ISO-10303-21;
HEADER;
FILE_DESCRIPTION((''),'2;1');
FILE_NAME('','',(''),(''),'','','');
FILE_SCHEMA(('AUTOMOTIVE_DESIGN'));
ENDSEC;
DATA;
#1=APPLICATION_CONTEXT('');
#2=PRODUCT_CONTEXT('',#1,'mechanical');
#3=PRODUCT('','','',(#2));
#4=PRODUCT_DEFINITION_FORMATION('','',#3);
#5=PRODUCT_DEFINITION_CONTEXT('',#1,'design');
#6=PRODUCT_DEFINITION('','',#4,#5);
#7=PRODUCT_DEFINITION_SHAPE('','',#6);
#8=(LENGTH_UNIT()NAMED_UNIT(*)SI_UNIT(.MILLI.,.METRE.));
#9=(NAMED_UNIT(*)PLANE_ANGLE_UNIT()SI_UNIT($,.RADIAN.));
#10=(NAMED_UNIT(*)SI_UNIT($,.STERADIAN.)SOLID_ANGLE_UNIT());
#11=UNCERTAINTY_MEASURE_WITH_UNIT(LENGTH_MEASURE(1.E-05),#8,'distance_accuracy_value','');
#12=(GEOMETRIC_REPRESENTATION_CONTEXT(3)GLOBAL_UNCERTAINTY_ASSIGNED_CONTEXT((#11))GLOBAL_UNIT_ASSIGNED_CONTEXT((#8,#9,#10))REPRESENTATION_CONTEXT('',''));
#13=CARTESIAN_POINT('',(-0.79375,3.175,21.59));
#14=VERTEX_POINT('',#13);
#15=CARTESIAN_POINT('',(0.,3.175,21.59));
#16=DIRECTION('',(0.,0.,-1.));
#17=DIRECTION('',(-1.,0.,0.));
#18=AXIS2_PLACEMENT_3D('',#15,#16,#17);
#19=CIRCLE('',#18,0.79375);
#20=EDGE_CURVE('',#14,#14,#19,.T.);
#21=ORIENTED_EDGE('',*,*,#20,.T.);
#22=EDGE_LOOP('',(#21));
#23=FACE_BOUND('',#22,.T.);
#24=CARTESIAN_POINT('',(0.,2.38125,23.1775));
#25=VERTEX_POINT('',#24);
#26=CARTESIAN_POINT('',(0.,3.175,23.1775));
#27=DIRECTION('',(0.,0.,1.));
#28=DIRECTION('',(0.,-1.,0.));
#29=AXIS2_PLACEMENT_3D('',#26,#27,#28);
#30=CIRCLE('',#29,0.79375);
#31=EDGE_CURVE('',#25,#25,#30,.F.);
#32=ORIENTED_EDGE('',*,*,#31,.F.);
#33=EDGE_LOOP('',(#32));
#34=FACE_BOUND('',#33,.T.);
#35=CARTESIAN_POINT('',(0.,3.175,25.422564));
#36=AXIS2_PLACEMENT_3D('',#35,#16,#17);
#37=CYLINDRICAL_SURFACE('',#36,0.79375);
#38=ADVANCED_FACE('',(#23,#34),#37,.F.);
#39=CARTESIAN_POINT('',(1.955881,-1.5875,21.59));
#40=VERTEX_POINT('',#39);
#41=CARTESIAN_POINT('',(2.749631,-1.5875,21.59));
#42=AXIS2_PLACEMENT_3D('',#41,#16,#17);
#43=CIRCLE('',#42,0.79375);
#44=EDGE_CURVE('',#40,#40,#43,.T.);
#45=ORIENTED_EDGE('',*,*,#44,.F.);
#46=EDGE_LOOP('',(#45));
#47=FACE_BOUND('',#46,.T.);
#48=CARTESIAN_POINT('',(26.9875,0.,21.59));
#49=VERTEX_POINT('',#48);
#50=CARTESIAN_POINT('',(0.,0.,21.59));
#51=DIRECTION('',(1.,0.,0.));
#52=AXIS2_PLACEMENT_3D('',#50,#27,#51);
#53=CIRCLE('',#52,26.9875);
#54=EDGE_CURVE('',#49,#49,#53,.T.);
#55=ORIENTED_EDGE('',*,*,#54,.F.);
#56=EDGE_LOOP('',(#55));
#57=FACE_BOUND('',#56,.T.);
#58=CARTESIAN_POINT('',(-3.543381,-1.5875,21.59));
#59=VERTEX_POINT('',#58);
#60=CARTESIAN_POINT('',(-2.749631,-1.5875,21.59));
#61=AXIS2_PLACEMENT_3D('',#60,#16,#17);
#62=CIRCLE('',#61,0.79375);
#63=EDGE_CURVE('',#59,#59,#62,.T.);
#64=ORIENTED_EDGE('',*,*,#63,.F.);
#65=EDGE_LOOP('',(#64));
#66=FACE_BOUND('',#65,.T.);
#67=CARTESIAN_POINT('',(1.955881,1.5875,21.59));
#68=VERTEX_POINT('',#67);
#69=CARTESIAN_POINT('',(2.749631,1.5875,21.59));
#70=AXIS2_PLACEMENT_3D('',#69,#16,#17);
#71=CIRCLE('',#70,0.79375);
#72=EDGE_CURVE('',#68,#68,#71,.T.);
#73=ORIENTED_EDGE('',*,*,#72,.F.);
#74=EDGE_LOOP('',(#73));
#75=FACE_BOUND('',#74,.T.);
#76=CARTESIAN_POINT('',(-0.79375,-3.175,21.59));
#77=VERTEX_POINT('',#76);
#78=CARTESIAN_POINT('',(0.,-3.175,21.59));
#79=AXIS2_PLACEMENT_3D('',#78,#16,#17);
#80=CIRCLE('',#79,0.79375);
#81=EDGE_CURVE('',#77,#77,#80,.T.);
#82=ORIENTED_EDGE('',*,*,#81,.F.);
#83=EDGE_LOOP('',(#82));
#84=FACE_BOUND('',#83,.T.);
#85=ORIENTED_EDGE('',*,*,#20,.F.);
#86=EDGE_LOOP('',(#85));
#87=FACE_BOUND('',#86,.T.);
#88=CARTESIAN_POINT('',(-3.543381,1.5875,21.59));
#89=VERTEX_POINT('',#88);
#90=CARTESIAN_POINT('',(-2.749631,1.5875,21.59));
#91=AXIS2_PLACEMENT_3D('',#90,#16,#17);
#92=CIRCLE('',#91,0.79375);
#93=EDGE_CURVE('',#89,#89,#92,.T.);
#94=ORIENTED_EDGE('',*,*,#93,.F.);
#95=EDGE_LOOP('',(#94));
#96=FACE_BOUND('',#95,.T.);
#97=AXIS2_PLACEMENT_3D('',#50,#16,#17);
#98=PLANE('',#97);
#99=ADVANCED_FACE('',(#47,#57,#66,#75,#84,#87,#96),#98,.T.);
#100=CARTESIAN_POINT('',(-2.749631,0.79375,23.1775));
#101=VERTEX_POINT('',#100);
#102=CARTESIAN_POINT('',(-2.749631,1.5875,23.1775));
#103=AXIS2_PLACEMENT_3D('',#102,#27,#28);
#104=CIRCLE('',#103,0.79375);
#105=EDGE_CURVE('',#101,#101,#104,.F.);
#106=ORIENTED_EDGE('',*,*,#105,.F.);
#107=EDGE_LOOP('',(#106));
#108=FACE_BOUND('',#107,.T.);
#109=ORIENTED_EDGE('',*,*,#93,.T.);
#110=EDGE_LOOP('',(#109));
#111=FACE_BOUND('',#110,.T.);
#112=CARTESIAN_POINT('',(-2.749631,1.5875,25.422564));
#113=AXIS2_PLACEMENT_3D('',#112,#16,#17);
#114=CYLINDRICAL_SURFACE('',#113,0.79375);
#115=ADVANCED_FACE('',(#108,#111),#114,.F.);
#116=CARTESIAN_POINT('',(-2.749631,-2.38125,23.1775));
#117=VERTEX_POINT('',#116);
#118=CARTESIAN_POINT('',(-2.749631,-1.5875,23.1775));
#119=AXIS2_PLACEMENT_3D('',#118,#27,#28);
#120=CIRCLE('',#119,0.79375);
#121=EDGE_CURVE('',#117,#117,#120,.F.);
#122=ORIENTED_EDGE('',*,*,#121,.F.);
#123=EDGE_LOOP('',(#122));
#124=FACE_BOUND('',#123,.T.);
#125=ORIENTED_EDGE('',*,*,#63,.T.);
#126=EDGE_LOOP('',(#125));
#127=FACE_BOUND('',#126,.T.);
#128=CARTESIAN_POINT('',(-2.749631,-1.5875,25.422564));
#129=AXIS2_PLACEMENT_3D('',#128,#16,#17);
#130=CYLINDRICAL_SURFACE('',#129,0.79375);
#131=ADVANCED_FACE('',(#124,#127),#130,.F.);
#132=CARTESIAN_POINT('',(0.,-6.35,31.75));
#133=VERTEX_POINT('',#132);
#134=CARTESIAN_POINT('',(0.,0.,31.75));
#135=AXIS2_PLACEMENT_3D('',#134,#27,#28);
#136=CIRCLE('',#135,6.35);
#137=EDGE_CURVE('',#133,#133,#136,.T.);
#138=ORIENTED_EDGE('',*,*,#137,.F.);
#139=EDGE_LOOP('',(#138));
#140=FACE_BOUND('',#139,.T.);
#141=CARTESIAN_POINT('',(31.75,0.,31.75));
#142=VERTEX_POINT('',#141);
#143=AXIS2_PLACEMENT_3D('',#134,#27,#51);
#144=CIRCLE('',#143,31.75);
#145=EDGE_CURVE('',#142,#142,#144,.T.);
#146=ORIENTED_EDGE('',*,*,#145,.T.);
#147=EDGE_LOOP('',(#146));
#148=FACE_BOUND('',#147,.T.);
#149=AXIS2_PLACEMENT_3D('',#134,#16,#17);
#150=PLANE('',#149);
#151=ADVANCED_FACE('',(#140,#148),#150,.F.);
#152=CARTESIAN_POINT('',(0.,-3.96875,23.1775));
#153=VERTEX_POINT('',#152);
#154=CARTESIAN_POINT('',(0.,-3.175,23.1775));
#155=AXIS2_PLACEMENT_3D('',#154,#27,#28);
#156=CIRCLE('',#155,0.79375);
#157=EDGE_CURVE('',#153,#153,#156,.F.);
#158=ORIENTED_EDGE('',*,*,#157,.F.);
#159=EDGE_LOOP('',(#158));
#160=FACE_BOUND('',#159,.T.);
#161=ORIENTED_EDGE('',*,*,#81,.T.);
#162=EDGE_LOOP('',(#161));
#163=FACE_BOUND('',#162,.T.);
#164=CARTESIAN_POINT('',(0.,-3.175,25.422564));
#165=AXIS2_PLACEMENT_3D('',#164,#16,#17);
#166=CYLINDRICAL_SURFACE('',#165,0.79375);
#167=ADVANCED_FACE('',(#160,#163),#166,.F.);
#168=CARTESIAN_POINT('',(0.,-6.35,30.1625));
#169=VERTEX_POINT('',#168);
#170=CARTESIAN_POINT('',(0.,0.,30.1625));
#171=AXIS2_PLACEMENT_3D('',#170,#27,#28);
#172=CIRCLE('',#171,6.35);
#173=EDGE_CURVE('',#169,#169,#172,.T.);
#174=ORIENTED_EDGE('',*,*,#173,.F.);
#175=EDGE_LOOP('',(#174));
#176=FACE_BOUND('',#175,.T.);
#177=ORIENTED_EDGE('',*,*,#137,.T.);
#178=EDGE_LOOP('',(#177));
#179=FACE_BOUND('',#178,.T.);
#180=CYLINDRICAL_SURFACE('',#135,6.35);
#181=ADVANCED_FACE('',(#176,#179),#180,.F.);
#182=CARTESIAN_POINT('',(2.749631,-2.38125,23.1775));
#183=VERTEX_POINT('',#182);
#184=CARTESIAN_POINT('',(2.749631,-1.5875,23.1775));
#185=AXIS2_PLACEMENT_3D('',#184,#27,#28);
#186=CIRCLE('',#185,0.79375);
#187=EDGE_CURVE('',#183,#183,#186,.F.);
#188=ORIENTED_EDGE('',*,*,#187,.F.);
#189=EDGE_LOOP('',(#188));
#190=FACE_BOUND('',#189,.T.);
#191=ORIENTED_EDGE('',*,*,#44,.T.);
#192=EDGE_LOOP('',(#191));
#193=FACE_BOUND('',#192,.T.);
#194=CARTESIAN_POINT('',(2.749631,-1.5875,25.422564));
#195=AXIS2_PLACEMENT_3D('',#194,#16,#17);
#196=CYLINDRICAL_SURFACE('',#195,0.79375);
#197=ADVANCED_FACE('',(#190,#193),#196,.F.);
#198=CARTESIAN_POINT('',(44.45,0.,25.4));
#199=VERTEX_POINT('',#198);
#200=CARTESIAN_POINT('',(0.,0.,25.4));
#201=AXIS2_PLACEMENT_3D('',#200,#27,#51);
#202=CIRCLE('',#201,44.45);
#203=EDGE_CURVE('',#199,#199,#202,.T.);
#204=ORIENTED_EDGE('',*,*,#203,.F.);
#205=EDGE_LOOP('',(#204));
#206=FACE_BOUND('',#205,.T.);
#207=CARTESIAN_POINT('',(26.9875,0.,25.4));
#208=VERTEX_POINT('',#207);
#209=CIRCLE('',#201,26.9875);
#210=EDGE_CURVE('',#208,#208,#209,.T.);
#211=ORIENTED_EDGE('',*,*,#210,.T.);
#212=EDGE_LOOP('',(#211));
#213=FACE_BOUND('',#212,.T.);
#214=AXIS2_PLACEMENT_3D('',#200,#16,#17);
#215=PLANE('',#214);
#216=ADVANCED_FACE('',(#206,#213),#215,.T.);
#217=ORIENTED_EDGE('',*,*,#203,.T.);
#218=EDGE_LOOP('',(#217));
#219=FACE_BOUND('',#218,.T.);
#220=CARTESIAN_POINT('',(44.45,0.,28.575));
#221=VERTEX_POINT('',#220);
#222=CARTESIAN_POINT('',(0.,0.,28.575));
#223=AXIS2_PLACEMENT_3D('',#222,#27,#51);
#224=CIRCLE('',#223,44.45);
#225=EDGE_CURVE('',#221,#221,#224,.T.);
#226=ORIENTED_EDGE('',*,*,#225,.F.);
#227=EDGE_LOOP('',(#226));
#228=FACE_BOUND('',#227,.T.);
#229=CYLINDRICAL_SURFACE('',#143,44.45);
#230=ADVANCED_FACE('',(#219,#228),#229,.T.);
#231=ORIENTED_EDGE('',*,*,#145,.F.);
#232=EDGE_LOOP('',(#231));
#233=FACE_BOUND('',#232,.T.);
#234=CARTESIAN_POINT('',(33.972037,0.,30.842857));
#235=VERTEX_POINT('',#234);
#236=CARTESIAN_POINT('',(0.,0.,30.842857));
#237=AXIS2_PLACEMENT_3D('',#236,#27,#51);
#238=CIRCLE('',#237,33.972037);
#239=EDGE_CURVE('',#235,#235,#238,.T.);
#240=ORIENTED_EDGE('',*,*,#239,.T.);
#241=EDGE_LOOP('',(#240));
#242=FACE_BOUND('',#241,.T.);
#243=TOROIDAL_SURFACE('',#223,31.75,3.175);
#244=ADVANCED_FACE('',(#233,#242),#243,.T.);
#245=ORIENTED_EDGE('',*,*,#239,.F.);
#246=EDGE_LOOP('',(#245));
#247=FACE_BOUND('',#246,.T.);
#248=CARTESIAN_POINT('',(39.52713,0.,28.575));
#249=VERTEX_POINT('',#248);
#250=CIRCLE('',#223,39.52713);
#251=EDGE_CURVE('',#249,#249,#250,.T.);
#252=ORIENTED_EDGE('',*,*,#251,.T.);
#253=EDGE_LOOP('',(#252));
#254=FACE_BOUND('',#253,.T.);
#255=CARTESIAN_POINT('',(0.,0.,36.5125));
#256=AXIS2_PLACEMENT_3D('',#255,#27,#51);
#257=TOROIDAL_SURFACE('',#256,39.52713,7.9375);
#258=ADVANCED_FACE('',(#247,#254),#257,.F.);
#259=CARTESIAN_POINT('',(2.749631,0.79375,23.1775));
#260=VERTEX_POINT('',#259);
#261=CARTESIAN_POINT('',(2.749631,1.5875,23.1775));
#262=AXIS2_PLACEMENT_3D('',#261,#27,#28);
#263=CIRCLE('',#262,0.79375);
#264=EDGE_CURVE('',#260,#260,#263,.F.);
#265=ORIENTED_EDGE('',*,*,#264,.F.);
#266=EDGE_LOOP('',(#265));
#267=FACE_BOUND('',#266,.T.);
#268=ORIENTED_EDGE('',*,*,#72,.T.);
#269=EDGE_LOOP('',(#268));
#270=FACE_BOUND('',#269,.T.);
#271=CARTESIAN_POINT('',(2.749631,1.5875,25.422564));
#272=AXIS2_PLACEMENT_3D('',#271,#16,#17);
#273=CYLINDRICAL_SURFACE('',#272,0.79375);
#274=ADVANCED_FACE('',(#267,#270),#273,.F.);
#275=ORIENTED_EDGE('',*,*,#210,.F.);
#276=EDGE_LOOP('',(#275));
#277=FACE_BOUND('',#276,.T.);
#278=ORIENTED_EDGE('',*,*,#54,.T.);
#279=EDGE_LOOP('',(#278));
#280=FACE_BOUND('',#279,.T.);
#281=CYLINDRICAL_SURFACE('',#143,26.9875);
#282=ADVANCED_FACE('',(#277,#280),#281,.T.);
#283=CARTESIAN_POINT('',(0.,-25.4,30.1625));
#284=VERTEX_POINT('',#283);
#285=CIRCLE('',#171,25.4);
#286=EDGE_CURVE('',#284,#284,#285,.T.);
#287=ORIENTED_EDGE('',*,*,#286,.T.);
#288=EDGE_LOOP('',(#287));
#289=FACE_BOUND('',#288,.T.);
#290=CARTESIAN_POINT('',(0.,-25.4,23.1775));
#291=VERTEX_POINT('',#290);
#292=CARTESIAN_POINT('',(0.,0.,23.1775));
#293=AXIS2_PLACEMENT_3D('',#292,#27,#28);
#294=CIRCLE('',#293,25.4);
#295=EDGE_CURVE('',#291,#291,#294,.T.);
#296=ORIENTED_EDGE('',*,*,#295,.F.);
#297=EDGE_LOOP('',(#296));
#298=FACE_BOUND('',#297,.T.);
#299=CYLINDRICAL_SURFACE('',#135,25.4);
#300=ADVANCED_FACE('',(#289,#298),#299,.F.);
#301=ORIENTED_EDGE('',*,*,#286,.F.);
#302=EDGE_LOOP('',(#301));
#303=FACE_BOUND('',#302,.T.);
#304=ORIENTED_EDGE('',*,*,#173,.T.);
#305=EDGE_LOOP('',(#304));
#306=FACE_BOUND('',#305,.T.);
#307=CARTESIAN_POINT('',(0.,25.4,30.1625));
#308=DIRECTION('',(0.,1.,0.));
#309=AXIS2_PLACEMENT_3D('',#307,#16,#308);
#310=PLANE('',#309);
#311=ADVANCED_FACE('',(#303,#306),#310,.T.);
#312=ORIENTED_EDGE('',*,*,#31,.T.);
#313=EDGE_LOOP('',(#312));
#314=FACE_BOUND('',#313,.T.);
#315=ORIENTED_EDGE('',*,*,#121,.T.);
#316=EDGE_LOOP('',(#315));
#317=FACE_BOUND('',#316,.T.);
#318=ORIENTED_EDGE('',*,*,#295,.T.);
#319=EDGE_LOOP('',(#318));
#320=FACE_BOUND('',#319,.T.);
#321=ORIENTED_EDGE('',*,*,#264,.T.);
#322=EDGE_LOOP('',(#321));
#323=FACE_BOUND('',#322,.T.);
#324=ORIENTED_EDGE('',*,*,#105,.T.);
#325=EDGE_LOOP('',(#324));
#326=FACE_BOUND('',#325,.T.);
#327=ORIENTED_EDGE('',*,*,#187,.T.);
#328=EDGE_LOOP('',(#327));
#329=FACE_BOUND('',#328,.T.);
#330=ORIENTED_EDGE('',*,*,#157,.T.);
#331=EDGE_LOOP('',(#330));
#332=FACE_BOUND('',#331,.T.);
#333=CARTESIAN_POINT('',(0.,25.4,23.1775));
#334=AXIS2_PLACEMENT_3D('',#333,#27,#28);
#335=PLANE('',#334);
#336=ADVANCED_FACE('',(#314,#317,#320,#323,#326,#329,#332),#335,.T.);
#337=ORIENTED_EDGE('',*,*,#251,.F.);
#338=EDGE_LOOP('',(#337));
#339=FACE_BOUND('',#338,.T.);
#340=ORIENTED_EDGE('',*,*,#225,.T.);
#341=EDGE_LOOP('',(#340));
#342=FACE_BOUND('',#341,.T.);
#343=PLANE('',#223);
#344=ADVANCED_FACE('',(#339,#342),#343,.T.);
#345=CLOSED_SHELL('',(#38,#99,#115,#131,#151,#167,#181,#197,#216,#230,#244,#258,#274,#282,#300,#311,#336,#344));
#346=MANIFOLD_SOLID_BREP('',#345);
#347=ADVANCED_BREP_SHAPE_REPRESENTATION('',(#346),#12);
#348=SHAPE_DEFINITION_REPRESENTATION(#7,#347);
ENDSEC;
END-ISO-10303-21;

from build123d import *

# Parameters (mm, degrees)
SKETCH3_R          = 0.79375
CUT_EXTRUDE1_DEPTH = 1.5875


with BuildPart() as part:
    # Sketch1 → Revolve1 (revolve)
    with BuildSketch(Plane(origin=(0, 0, 0), x_dir=(0, 0, -1), z_dir=(1, 0, 0)), mode=Mode.PRIVATE) as revolve1_sk:
        with BuildLine():
            Line((-21.59, 0), (-21.59, 26.9875))
            Line((-21.59, 26.9875), (-25.4, 26.9875))
            Line((-25.4, 26.9875), (-25.4, 44.45))
            Line((-25.4, 44.45), (-28.575, 44.45))
            Line((-28.575, 44.45), (-28.575, 39.527129933))
            ThreePointArc((-28.575, 39.527129933), (-29.163802958, 36.527036929), (-30.842857143, 33.972037124))
            ThreePointArc((-30.842857143, 33.972037124), (-31.514478817, 32.950037202), (-31.75, 31.75))
            Line((-31.75, 31.75), (-31.75, 0))
            Line((-31.75, 0), (-21.59, 0))
        make_face()
    revolve(revolve1_sk.sketch.rotate(Axis((0, 0, 31.75), (0, 0, -1)), 90), axis=Axis((0, 0, 31.75), (0, 0, -1)))

    # Sketch2 → Cut-Revolve1 (revolve, cut)
    with BuildSketch(Plane(origin=(0, 0, 0), x_dir=(0, 0, -1), z_dir=(1, 0, 0)), mode=Mode.PRIVATE) as cut_revolve1_sk:
        Polygon((-30.1625, 25.4), (-23.1775, 25.4), (-23.1775, 0), (-31.75, 0), (-31.75, 6.35), (-30.1625, 6.35), align=None)
    revolve(cut_revolve1_sk.sketch.rotate(Axis((0, 0, 31.75), (0, 0, -1)), 180), axis=Axis((0, 0, 31.75), (0, 0, -1)), mode=Mode.SUBTRACT)

    # Sketch3 → Cut-Extrude1 (cut)
    with BuildSketch(Plane(origin=(0, 0, 21.59), x_dir=(-1, 0, 0), z_dir=(0, 0, -1))):
        with Locations((0, 3.175)):
            Circle(SKETCH3_R)
        with Locations((2.749630657, 1.5875)):
            Circle(SKETCH3_R)
        with Locations((2.749630657, -1.5875)):
            Circle(SKETCH3_R)
        with Locations((0, -3.175)):
            Circle(SKETCH3_R)
        with Locations((-2.749630657, -1.5875)):
            Circle(SKETCH3_R)
        with Locations((-2.749630657, 1.5875)):
            Circle(SKETCH3_R)
    extrude(amount=-CUT_EXTRUDE1_DEPTH, mode=Mode.SUBTRACT)


solid = part.part
